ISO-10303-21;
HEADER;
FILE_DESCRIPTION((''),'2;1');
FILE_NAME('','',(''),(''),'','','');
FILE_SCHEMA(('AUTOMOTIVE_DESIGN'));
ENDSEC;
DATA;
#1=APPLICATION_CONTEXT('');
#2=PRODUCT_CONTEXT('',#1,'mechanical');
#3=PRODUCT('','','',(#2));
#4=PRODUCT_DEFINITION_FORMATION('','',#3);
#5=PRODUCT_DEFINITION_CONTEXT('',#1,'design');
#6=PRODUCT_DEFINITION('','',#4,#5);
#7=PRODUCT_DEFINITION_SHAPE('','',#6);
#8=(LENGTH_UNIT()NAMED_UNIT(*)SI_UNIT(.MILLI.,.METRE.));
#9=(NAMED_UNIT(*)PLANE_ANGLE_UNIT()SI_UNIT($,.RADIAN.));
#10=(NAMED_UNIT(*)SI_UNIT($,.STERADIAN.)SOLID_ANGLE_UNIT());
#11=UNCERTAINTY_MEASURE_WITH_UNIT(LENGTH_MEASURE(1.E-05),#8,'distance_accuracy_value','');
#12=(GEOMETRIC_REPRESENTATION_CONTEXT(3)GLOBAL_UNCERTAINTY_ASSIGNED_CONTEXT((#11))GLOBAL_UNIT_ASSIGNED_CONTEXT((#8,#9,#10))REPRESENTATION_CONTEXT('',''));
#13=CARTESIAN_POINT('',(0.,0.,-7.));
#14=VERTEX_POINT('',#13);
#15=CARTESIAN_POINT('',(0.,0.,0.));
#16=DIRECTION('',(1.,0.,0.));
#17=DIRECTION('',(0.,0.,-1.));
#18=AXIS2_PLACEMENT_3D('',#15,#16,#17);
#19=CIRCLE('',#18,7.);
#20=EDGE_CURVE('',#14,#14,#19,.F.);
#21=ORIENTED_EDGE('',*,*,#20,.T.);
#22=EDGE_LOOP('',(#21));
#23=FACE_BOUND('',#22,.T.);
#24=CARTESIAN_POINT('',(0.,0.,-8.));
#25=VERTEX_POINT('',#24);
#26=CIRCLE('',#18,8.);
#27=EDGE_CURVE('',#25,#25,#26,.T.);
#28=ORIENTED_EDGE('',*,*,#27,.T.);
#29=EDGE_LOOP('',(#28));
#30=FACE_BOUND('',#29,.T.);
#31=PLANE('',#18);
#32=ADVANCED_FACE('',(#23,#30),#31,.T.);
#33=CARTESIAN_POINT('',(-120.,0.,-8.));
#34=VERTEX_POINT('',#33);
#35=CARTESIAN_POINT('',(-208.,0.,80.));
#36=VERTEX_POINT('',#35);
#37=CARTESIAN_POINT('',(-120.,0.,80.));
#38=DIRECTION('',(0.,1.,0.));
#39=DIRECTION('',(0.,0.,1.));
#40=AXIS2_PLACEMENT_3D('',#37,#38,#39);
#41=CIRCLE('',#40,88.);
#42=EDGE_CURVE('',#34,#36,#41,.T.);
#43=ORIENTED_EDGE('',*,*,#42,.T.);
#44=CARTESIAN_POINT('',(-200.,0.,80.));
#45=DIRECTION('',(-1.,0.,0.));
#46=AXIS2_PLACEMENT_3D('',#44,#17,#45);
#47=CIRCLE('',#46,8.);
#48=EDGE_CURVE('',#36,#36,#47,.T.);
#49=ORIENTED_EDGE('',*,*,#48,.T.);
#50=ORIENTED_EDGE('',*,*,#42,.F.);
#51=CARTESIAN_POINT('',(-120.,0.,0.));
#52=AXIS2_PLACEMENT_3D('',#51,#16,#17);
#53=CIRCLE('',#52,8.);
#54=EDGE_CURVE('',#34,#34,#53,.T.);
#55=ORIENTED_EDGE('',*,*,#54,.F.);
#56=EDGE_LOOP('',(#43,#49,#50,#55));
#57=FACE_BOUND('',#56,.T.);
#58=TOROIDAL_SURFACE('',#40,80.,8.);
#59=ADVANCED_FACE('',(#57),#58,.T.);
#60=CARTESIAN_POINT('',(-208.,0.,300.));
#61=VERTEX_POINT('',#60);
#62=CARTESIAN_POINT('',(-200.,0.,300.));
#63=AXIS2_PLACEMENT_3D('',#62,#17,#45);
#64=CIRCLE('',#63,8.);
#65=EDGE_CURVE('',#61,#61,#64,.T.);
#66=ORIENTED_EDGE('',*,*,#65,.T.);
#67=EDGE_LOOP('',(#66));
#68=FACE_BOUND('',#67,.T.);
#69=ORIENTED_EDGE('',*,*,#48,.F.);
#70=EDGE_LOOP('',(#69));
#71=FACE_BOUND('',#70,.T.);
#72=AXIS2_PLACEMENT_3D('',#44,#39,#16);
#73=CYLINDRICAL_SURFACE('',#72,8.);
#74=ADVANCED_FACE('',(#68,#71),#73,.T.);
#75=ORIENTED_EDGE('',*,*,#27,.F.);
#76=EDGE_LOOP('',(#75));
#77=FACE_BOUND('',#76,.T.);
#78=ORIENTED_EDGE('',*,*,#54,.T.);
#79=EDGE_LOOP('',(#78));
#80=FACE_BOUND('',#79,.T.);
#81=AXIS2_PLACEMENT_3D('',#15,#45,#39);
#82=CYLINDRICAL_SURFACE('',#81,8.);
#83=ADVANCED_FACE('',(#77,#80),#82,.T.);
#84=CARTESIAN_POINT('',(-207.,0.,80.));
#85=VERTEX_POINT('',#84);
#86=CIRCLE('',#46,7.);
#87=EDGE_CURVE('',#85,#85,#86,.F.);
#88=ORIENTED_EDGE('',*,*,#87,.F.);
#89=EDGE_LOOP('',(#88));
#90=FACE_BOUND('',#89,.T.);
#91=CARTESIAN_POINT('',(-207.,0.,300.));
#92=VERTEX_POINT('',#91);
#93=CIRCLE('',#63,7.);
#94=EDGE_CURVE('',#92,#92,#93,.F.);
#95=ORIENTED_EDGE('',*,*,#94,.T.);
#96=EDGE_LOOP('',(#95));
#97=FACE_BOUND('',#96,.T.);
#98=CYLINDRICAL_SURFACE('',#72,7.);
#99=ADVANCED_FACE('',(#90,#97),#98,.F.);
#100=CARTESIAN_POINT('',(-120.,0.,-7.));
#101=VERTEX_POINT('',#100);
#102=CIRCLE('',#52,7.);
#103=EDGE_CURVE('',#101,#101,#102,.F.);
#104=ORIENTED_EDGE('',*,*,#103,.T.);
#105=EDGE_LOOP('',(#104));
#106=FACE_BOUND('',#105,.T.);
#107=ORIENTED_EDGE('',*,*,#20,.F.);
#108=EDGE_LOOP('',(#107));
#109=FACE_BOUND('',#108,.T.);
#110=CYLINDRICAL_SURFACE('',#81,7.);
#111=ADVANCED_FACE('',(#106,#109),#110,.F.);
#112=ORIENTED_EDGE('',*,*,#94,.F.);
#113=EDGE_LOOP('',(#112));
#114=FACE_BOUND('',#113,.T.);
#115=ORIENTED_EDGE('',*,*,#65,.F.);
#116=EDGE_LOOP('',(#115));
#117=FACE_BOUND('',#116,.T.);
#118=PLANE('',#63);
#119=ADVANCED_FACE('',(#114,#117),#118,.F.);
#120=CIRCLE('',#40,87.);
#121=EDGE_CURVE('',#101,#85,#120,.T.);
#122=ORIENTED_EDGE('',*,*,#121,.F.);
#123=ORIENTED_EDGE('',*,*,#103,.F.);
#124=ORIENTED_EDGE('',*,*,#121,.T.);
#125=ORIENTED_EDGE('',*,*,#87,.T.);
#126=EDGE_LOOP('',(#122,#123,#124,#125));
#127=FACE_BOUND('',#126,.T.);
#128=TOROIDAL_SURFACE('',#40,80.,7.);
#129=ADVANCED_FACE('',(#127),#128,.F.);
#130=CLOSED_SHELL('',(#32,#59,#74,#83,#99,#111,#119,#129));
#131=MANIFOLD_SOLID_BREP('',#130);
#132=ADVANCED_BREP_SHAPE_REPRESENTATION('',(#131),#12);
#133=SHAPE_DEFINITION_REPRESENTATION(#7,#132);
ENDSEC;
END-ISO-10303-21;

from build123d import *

# Parameters (mm, degrees)
SKETCH_2_R   = 8
SKETCH_2_R_2 = 7


with BuildPart() as part:
    # По траектории1: sweep along a path in Эскиз1
    with BuildLine(Plane(origin=(0, 0, 0), x_dir=(1, 0, 0), z_dir=(0, 1, 0))) as sweep_1_path:
        Line((-200, -300), (-200, -80))
        ThreePointArc((-200, -80), (-176.568542495, -23.431457505), (-120, 0))
        Line((-120, 0), (0, 0))
    # Эскиз2 → По траектории1 (sweep)
    with BuildSketch(Plane(origin=(0, 0, 0), x_dir=(0, 0, -1), z_dir=(1, 0, 0))):
        Circle(SKETCH_2_R)
        Circle(SKETCH_2_R_2, mode=Mode.SUBTRACT)
    sweep(path=sweep_1_path.line)


solid = part.part
